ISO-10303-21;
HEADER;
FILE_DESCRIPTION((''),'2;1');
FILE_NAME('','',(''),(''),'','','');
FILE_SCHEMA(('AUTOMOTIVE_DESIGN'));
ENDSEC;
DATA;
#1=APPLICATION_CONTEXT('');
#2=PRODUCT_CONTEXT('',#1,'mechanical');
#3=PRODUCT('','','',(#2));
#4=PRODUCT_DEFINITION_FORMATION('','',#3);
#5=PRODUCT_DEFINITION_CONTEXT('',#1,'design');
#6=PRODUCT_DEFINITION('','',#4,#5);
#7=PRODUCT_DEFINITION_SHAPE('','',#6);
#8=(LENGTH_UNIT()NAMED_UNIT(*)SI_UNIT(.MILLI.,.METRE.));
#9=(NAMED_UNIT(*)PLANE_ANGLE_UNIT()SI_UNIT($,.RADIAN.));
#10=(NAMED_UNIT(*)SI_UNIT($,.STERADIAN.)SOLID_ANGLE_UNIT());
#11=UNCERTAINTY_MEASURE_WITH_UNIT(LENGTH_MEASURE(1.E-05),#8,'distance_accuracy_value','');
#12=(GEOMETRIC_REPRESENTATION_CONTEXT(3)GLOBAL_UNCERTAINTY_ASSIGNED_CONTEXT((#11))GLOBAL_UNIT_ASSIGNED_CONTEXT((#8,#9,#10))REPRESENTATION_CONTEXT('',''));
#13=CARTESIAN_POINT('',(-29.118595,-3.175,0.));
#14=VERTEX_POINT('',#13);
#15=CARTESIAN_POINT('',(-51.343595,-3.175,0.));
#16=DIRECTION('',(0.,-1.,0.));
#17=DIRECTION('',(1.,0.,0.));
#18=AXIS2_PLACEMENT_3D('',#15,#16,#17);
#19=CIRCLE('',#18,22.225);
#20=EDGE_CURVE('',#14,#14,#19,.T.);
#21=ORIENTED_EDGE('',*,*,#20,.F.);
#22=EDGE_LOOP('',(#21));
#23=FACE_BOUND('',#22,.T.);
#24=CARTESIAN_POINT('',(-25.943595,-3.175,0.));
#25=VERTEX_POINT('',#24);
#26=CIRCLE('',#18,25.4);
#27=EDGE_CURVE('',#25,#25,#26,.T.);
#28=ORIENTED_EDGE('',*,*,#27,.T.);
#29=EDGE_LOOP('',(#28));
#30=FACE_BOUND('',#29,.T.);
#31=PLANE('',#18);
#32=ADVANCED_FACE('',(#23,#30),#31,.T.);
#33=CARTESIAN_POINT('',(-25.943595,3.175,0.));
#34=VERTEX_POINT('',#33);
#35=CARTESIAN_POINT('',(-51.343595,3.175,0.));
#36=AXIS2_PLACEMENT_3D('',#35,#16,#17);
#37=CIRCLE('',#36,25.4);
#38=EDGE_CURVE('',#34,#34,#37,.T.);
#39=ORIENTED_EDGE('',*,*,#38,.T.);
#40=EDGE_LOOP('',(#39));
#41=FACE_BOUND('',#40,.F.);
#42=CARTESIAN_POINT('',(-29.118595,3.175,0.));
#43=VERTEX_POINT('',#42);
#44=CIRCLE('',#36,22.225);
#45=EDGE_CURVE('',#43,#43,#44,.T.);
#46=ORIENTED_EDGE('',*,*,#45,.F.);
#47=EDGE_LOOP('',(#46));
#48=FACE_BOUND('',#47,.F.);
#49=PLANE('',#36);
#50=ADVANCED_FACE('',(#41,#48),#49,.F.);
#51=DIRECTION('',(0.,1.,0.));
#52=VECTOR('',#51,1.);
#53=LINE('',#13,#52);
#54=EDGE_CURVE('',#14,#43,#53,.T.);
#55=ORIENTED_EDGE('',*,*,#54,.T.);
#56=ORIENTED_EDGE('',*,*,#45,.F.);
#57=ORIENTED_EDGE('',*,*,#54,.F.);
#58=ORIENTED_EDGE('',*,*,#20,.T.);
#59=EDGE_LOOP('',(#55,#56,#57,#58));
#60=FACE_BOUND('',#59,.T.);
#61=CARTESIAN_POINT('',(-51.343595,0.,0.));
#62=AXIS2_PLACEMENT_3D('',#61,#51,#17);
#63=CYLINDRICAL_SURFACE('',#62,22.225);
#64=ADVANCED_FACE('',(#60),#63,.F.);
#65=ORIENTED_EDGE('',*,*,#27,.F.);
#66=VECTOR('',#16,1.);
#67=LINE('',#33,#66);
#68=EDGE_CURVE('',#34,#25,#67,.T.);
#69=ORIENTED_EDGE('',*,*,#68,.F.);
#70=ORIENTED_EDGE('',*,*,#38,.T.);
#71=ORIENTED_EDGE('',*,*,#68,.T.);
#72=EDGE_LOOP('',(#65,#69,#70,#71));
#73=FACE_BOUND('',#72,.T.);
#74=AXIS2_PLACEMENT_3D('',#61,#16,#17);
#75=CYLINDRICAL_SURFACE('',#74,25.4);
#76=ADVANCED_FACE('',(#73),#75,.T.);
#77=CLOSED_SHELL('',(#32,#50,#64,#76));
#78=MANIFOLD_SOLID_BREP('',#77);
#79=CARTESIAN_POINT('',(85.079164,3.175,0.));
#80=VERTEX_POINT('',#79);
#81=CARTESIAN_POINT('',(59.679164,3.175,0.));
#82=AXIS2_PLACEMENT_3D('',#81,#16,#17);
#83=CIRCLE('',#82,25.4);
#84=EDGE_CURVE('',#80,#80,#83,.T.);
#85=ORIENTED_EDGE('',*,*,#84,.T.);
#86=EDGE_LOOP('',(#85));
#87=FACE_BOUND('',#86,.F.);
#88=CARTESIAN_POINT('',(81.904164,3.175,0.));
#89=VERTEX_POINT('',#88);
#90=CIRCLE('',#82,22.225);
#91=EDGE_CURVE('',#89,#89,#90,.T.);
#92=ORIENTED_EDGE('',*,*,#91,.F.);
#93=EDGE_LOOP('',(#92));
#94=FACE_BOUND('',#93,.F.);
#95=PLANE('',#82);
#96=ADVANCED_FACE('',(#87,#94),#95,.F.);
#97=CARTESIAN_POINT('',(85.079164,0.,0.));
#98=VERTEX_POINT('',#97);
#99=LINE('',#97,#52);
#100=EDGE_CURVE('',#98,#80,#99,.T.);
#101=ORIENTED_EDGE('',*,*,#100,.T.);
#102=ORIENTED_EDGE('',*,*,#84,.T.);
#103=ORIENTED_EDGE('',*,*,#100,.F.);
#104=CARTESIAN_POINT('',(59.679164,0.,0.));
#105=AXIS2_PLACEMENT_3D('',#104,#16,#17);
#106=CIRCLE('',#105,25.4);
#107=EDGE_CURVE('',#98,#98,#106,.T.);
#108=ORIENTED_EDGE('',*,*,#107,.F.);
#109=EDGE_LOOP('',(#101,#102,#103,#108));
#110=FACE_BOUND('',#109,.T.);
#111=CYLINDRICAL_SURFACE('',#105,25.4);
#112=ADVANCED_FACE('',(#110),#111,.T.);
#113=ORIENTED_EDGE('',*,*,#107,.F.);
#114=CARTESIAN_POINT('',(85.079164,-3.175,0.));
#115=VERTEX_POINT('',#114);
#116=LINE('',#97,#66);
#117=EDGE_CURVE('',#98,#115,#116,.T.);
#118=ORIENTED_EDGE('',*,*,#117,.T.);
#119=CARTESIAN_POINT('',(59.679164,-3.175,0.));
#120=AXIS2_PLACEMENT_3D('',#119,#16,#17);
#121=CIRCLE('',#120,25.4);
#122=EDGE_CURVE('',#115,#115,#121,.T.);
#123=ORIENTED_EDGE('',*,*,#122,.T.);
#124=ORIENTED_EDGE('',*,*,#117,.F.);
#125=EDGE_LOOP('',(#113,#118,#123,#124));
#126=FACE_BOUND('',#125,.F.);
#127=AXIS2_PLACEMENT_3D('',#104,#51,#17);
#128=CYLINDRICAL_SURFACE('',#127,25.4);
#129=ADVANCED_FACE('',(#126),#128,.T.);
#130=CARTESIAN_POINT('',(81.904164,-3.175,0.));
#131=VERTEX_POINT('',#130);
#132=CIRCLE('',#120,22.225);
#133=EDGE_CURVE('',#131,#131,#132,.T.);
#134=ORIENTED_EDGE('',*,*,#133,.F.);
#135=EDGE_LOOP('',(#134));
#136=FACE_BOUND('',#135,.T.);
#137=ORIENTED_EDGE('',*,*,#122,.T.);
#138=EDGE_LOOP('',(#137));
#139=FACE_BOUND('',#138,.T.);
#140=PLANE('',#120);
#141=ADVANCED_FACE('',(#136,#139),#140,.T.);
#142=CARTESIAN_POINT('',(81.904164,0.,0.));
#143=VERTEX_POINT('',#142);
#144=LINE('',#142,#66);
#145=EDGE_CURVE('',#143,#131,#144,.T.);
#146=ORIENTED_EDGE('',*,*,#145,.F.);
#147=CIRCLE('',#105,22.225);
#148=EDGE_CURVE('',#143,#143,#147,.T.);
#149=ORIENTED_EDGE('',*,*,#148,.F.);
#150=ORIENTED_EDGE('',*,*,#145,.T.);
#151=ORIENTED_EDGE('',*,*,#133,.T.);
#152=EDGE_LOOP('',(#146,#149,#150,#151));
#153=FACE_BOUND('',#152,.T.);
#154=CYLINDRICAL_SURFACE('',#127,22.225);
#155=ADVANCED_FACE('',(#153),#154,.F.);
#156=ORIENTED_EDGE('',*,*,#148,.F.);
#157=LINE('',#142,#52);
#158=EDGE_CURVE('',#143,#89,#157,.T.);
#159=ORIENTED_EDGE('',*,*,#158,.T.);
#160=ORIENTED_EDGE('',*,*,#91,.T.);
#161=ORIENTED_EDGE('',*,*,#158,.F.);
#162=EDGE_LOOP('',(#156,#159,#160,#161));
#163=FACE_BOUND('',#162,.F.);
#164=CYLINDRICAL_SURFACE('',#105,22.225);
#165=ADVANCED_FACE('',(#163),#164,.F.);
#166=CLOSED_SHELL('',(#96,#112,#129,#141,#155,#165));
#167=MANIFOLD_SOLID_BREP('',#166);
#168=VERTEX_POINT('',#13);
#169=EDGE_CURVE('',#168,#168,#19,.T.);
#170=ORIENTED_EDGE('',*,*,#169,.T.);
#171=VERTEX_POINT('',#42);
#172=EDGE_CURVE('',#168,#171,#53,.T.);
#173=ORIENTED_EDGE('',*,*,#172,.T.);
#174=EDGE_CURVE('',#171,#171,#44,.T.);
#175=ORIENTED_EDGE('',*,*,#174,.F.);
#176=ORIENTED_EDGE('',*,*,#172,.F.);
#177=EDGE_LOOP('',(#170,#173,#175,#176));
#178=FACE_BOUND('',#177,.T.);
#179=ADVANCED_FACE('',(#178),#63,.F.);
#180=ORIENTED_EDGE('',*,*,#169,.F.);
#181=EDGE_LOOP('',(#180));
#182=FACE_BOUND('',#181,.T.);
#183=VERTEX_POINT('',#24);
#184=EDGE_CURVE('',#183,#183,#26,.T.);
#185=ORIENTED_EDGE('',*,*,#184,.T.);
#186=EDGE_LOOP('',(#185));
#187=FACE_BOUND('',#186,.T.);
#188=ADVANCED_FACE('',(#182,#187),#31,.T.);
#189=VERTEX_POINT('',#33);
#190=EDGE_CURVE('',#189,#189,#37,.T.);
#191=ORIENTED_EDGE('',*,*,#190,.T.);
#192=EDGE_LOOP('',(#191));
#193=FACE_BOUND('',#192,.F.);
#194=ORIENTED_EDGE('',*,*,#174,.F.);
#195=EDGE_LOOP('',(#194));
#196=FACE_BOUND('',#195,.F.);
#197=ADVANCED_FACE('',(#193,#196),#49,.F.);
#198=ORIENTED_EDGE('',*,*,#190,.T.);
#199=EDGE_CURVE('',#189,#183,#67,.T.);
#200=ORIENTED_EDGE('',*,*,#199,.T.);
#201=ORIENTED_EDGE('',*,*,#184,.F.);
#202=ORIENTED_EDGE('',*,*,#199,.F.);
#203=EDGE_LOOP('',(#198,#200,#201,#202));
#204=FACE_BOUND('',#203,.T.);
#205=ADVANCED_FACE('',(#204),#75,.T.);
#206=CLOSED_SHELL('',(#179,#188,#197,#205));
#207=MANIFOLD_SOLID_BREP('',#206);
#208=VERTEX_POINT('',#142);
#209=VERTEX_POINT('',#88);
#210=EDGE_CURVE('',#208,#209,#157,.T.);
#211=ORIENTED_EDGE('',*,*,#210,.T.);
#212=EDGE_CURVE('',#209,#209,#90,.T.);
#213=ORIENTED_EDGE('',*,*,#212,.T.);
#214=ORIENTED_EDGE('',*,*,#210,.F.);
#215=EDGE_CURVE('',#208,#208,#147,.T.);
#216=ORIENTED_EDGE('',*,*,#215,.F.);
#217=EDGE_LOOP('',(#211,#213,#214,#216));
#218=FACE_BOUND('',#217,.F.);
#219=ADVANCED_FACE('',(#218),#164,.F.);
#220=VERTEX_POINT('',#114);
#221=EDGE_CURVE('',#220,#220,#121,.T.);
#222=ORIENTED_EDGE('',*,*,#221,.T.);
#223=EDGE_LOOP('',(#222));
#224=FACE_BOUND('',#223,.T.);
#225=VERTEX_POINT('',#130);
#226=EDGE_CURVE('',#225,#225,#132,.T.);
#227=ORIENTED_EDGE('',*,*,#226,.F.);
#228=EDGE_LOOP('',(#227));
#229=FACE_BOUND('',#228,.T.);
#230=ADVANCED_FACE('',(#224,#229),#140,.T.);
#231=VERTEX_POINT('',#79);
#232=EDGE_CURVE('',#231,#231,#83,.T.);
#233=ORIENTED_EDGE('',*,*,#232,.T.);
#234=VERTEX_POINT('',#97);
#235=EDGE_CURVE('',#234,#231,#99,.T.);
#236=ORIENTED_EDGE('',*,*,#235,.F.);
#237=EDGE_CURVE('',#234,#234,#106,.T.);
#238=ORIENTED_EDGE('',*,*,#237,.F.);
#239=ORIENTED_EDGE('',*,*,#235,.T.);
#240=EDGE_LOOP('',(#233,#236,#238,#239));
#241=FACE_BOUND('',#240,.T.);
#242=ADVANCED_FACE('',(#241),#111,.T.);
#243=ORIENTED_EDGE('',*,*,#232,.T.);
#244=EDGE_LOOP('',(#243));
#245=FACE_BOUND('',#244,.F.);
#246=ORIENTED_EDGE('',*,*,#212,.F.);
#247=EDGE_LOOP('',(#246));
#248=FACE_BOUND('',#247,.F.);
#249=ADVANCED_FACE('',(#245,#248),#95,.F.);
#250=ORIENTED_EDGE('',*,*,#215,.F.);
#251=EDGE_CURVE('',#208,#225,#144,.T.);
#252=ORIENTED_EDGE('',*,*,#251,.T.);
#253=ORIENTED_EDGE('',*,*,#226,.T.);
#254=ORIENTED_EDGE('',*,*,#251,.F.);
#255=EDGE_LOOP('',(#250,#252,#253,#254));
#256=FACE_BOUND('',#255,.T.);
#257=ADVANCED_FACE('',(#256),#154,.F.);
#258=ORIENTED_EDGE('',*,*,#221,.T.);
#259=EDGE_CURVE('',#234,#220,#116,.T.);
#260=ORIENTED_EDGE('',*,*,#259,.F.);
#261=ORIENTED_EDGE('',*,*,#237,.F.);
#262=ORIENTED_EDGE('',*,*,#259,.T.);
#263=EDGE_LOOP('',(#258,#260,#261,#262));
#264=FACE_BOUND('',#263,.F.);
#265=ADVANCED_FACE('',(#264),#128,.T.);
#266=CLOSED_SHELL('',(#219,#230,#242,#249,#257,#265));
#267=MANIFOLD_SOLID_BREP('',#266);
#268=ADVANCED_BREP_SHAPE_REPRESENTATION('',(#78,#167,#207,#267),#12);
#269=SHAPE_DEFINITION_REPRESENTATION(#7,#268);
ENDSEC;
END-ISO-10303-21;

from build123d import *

# Parameters (mm, degrees)
F0_R     = 25.4
F0_R_2   = 22.225
F1_DEPTH = 3.175
F2_DEPTH = 3.175


with BuildPart() as f1:
    # F0 (on Front) → F1 (new body, symmetric)
    with BuildSketch(Plane.XZ):
        with Locations((59.679164, 0)):
            Circle(F0_R)
        with Locations((59.679164, 0)):
            Circle(F0_R_2, mode=Mode.SUBTRACT)
        with Locations((-51.343595, 0)):
            Circle(F0_R)
        with Locations((-51.343595, 0)):
            Circle(F0_R_2, mode=Mode.SUBTRACT)
    extrude(amount=F1_DEPTH, both=True)


with BuildPart() as f2:
    # F0 (on Front) → F2 (new body, symmetric)
    with BuildSketch(Plane.XZ):
        with Locations((59.679164, 0)):
            Circle(F0_R)
        with Locations((59.679164, 0)):
            Circle(F0_R_2, mode=Mode.SUBTRACT)
        with Locations((-51.343595, 0)):
            Circle(F0_R)
        with Locations((-51.343595, 0)):
            Circle(F0_R_2, mode=Mode.SUBTRACT)
    extrude(amount=F2_DEPTH, both=True)


solid = Compound([f1.part, f2.part])
